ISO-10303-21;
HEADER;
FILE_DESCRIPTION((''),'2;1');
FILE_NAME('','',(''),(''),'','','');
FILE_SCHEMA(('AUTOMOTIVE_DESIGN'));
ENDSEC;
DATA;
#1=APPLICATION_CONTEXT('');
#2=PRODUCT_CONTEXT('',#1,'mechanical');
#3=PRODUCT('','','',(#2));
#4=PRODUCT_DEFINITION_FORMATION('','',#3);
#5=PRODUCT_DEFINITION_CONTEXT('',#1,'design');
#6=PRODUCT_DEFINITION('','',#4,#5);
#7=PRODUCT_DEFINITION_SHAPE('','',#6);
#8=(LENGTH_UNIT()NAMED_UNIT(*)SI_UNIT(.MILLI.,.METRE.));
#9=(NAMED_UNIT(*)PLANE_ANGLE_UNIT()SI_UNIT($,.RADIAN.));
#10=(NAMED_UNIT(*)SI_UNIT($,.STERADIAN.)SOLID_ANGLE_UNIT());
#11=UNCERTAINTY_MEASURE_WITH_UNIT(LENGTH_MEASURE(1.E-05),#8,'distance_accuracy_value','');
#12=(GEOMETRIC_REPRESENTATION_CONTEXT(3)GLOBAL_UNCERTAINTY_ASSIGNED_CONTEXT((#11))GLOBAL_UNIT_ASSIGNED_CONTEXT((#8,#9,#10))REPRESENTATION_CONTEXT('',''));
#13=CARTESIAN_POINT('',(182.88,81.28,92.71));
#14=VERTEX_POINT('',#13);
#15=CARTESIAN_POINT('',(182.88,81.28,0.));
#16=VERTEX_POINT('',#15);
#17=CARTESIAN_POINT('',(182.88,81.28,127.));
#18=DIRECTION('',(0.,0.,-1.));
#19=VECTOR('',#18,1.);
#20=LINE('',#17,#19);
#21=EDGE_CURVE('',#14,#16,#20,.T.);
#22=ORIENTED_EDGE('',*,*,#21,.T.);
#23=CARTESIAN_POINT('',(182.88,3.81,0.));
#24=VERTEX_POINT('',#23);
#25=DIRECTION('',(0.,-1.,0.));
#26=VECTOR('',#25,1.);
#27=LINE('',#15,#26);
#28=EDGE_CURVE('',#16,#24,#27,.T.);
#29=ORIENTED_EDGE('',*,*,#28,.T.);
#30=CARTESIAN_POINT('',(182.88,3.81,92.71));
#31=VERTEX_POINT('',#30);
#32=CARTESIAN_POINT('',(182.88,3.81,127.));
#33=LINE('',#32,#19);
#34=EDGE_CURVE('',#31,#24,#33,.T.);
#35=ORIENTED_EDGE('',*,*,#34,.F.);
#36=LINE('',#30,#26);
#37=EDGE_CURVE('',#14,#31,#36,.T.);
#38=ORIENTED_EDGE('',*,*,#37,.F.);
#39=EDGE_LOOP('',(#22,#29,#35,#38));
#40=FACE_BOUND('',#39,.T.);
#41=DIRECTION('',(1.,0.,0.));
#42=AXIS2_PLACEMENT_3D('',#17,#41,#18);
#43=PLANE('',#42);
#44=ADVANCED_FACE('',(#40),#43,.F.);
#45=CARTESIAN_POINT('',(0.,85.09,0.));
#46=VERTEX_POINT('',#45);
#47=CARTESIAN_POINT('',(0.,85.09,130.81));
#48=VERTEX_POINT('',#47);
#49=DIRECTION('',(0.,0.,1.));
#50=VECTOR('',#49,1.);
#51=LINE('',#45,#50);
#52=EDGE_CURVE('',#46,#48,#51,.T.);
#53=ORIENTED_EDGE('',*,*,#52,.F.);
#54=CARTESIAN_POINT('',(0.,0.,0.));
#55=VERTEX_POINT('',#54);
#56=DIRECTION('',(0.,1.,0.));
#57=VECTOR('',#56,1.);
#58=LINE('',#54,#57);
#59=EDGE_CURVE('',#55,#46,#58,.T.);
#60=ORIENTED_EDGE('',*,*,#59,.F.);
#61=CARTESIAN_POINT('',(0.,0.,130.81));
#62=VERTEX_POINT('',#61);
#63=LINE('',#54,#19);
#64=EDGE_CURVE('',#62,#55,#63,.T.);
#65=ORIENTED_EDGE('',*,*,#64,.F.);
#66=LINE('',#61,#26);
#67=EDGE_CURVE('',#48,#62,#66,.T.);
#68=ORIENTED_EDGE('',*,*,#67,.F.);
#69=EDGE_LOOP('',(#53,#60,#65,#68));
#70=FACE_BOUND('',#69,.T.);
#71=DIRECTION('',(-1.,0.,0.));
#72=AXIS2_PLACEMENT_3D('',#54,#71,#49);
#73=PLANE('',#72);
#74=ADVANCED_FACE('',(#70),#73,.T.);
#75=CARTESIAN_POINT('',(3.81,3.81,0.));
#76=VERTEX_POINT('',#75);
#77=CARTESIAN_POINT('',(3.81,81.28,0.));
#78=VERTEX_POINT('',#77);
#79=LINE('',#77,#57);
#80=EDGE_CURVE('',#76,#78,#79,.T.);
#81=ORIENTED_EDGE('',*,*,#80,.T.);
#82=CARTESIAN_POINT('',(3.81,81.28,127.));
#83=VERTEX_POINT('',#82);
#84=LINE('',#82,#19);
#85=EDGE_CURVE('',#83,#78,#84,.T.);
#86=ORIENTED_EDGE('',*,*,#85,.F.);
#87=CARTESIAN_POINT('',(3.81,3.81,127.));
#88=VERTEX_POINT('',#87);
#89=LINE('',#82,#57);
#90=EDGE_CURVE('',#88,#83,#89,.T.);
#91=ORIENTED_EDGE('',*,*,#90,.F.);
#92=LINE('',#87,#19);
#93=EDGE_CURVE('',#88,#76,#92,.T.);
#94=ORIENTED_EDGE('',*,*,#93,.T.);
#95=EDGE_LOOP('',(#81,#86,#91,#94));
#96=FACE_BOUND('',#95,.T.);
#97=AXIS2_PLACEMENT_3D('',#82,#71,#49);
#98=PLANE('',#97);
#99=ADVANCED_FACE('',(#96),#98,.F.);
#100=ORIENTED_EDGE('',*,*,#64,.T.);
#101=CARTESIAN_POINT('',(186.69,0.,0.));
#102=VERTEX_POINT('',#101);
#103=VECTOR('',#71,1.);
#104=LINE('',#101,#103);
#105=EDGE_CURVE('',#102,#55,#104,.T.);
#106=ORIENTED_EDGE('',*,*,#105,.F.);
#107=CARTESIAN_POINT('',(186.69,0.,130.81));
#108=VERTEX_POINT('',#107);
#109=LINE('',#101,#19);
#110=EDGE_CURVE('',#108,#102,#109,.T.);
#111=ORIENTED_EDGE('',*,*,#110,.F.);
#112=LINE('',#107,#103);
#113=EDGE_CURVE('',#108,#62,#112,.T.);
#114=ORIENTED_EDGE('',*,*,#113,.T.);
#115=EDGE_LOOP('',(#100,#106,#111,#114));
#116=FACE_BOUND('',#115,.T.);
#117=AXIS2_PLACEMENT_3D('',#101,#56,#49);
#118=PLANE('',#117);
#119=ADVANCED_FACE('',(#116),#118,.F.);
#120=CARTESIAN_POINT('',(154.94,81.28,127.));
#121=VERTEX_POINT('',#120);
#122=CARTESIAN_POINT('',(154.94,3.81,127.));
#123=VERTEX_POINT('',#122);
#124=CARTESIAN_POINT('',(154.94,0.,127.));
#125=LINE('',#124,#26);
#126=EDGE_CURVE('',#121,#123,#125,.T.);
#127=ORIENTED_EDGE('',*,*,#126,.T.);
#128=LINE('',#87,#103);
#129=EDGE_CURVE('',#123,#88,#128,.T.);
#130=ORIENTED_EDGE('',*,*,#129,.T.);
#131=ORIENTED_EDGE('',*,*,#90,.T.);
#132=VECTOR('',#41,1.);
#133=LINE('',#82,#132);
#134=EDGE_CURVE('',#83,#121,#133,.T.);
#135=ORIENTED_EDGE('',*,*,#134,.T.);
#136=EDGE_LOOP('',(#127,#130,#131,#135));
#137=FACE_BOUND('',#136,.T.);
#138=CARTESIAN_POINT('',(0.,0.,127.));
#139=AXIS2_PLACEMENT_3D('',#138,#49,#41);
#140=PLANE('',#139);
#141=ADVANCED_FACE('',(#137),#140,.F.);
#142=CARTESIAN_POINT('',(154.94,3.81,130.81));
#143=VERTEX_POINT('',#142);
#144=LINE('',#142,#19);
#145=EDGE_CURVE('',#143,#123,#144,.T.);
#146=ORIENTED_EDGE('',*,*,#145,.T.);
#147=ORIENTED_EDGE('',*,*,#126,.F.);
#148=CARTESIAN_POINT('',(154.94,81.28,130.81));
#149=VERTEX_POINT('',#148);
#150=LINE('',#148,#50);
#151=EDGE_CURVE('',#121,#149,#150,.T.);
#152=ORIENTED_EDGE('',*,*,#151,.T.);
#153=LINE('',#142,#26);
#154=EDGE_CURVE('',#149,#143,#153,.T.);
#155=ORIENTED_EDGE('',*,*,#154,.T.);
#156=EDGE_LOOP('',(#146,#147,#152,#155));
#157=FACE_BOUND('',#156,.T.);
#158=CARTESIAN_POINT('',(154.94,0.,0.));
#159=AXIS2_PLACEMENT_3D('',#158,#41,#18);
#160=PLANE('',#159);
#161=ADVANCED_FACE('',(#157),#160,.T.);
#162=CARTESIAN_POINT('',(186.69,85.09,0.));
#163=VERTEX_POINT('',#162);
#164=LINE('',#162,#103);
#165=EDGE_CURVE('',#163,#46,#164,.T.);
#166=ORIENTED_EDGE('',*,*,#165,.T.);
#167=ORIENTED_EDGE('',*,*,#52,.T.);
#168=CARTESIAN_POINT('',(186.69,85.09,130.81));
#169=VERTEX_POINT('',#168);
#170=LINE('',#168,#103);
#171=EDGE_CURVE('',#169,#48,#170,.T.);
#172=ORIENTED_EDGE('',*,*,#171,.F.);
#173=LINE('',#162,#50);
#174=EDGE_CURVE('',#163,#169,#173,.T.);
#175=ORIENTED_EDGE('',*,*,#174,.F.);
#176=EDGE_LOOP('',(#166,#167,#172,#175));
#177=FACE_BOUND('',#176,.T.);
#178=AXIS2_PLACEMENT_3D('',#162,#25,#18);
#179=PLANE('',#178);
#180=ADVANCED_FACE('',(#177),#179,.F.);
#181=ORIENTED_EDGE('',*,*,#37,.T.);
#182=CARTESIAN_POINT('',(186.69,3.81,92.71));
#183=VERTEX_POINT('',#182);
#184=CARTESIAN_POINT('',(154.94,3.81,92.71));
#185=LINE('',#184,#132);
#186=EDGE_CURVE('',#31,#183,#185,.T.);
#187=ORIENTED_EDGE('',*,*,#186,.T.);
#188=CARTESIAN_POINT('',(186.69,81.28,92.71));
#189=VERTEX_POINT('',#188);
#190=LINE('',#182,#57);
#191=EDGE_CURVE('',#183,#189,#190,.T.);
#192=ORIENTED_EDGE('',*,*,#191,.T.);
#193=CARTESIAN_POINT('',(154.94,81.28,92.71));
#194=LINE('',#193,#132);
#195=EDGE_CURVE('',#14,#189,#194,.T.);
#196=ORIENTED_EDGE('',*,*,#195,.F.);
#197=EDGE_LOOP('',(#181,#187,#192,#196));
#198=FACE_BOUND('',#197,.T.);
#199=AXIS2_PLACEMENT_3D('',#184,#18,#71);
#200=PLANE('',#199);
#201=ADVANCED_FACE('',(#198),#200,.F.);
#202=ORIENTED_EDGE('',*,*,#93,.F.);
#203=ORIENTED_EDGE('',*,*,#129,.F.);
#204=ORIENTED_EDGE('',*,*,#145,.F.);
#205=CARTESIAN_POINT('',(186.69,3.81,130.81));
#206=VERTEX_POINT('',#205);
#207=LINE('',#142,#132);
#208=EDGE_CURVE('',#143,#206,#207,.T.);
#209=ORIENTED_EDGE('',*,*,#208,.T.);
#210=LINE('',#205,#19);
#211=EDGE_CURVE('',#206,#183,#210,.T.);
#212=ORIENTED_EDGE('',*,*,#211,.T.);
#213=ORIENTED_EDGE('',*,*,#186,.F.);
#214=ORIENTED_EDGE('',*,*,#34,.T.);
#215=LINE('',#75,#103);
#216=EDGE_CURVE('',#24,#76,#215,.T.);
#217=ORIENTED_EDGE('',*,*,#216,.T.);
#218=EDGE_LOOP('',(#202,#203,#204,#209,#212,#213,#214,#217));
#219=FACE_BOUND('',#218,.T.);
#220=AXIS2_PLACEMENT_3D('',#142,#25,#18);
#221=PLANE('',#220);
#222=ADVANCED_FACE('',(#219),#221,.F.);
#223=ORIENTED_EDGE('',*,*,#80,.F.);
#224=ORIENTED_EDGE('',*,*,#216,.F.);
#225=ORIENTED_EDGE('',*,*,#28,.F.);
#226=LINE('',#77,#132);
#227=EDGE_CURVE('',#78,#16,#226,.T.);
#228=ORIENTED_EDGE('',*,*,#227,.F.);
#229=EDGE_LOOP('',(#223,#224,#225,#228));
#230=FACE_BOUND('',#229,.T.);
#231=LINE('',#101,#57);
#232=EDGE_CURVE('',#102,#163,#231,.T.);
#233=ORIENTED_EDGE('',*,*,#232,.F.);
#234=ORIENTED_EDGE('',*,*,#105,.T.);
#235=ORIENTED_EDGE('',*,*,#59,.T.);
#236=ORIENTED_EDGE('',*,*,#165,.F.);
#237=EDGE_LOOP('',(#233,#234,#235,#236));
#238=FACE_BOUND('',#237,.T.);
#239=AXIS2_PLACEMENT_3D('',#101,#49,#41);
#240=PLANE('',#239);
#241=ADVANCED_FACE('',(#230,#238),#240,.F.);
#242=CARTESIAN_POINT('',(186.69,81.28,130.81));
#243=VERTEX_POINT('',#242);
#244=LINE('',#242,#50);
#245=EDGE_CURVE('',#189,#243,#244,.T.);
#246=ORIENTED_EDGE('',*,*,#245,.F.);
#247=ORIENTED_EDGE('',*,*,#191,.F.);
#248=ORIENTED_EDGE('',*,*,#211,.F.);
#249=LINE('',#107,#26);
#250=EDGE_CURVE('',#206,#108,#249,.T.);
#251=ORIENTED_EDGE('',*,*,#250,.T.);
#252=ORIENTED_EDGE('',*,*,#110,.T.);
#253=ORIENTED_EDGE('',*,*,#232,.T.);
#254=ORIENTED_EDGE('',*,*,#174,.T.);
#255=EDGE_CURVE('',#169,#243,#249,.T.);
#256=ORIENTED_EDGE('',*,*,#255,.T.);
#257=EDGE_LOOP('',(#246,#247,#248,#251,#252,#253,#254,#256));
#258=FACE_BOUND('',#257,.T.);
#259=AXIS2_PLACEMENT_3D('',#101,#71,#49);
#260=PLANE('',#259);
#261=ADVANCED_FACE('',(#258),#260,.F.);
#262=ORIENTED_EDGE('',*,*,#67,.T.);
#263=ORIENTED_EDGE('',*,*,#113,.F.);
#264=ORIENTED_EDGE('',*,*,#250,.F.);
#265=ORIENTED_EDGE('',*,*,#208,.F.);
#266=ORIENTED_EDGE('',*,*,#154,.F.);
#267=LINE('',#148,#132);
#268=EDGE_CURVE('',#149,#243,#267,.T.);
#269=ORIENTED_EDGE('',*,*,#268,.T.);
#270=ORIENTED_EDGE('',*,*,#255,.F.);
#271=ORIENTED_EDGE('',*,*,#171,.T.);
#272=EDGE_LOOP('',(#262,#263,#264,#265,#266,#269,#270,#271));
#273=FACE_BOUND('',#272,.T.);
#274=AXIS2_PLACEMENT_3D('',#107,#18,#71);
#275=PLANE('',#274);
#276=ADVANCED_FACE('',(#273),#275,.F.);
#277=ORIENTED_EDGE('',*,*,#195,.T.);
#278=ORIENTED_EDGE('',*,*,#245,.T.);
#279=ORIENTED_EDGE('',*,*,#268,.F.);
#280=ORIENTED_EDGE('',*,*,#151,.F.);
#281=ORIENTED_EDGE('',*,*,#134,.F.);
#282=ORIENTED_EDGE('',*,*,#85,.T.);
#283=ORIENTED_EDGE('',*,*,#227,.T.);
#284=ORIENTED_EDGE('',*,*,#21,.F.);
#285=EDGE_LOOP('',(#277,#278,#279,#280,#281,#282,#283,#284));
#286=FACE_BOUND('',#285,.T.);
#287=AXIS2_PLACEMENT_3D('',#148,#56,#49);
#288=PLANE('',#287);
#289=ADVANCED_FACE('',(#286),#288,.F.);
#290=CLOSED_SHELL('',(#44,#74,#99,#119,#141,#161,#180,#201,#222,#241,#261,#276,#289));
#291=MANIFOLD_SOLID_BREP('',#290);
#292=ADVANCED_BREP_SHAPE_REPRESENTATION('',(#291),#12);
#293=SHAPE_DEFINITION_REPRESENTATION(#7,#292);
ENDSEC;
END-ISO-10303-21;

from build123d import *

# Parameters (mm, degrees)
SKETCH1_W           = 85.09
SKETCH1_H           = 130.81
BOSS_EXTRUDE1_DEPTH = 186.69
SKETCH3_W           = 77.47
SKETCH3_H           = 38.1
CUT_EXTRUDE3_DEPTH  = 31.75
SKETCH4_W           = 179.07
SKETCH4_H           = 77.47
CUT_EXTRUDE4_DEPTH  = 127


with BuildPart() as part:
    # Sketch1 → Boss-Extrude1 (new body)
    with BuildSketch(Plane.YZ):
        with Locations((42.545, 65.405)):
            Rectangle(SKETCH1_W, SKETCH1_H)
    extrude(amount=BOSS_EXTRUDE1_DEPTH)

    # Sketch3 → Cut-Extrude3 (cut)
    with BuildSketch(Plane.YZ.offset(186.69)):
        with Locations((42.545, 111.76)):
            Rectangle(SKETCH3_W, SKETCH3_H)
    extrude(amount=-CUT_EXTRUDE3_DEPTH, mode=Mode.SUBTRACT)

    # Sketch4 → Cut-Extrude4 (cut)
    with BuildSketch(Plane(origin=(0, 0, 0), x_dir=(1, 0, 0), z_dir=(0, 0, -1))):
        with Locations((93.345, -42.545)):
            Rectangle(SKETCH4_W, SKETCH4_H)
    extrude(amount=-CUT_EXTRUDE4_DEPTH, mode=Mode.SUBTRACT)


solid = part.part
